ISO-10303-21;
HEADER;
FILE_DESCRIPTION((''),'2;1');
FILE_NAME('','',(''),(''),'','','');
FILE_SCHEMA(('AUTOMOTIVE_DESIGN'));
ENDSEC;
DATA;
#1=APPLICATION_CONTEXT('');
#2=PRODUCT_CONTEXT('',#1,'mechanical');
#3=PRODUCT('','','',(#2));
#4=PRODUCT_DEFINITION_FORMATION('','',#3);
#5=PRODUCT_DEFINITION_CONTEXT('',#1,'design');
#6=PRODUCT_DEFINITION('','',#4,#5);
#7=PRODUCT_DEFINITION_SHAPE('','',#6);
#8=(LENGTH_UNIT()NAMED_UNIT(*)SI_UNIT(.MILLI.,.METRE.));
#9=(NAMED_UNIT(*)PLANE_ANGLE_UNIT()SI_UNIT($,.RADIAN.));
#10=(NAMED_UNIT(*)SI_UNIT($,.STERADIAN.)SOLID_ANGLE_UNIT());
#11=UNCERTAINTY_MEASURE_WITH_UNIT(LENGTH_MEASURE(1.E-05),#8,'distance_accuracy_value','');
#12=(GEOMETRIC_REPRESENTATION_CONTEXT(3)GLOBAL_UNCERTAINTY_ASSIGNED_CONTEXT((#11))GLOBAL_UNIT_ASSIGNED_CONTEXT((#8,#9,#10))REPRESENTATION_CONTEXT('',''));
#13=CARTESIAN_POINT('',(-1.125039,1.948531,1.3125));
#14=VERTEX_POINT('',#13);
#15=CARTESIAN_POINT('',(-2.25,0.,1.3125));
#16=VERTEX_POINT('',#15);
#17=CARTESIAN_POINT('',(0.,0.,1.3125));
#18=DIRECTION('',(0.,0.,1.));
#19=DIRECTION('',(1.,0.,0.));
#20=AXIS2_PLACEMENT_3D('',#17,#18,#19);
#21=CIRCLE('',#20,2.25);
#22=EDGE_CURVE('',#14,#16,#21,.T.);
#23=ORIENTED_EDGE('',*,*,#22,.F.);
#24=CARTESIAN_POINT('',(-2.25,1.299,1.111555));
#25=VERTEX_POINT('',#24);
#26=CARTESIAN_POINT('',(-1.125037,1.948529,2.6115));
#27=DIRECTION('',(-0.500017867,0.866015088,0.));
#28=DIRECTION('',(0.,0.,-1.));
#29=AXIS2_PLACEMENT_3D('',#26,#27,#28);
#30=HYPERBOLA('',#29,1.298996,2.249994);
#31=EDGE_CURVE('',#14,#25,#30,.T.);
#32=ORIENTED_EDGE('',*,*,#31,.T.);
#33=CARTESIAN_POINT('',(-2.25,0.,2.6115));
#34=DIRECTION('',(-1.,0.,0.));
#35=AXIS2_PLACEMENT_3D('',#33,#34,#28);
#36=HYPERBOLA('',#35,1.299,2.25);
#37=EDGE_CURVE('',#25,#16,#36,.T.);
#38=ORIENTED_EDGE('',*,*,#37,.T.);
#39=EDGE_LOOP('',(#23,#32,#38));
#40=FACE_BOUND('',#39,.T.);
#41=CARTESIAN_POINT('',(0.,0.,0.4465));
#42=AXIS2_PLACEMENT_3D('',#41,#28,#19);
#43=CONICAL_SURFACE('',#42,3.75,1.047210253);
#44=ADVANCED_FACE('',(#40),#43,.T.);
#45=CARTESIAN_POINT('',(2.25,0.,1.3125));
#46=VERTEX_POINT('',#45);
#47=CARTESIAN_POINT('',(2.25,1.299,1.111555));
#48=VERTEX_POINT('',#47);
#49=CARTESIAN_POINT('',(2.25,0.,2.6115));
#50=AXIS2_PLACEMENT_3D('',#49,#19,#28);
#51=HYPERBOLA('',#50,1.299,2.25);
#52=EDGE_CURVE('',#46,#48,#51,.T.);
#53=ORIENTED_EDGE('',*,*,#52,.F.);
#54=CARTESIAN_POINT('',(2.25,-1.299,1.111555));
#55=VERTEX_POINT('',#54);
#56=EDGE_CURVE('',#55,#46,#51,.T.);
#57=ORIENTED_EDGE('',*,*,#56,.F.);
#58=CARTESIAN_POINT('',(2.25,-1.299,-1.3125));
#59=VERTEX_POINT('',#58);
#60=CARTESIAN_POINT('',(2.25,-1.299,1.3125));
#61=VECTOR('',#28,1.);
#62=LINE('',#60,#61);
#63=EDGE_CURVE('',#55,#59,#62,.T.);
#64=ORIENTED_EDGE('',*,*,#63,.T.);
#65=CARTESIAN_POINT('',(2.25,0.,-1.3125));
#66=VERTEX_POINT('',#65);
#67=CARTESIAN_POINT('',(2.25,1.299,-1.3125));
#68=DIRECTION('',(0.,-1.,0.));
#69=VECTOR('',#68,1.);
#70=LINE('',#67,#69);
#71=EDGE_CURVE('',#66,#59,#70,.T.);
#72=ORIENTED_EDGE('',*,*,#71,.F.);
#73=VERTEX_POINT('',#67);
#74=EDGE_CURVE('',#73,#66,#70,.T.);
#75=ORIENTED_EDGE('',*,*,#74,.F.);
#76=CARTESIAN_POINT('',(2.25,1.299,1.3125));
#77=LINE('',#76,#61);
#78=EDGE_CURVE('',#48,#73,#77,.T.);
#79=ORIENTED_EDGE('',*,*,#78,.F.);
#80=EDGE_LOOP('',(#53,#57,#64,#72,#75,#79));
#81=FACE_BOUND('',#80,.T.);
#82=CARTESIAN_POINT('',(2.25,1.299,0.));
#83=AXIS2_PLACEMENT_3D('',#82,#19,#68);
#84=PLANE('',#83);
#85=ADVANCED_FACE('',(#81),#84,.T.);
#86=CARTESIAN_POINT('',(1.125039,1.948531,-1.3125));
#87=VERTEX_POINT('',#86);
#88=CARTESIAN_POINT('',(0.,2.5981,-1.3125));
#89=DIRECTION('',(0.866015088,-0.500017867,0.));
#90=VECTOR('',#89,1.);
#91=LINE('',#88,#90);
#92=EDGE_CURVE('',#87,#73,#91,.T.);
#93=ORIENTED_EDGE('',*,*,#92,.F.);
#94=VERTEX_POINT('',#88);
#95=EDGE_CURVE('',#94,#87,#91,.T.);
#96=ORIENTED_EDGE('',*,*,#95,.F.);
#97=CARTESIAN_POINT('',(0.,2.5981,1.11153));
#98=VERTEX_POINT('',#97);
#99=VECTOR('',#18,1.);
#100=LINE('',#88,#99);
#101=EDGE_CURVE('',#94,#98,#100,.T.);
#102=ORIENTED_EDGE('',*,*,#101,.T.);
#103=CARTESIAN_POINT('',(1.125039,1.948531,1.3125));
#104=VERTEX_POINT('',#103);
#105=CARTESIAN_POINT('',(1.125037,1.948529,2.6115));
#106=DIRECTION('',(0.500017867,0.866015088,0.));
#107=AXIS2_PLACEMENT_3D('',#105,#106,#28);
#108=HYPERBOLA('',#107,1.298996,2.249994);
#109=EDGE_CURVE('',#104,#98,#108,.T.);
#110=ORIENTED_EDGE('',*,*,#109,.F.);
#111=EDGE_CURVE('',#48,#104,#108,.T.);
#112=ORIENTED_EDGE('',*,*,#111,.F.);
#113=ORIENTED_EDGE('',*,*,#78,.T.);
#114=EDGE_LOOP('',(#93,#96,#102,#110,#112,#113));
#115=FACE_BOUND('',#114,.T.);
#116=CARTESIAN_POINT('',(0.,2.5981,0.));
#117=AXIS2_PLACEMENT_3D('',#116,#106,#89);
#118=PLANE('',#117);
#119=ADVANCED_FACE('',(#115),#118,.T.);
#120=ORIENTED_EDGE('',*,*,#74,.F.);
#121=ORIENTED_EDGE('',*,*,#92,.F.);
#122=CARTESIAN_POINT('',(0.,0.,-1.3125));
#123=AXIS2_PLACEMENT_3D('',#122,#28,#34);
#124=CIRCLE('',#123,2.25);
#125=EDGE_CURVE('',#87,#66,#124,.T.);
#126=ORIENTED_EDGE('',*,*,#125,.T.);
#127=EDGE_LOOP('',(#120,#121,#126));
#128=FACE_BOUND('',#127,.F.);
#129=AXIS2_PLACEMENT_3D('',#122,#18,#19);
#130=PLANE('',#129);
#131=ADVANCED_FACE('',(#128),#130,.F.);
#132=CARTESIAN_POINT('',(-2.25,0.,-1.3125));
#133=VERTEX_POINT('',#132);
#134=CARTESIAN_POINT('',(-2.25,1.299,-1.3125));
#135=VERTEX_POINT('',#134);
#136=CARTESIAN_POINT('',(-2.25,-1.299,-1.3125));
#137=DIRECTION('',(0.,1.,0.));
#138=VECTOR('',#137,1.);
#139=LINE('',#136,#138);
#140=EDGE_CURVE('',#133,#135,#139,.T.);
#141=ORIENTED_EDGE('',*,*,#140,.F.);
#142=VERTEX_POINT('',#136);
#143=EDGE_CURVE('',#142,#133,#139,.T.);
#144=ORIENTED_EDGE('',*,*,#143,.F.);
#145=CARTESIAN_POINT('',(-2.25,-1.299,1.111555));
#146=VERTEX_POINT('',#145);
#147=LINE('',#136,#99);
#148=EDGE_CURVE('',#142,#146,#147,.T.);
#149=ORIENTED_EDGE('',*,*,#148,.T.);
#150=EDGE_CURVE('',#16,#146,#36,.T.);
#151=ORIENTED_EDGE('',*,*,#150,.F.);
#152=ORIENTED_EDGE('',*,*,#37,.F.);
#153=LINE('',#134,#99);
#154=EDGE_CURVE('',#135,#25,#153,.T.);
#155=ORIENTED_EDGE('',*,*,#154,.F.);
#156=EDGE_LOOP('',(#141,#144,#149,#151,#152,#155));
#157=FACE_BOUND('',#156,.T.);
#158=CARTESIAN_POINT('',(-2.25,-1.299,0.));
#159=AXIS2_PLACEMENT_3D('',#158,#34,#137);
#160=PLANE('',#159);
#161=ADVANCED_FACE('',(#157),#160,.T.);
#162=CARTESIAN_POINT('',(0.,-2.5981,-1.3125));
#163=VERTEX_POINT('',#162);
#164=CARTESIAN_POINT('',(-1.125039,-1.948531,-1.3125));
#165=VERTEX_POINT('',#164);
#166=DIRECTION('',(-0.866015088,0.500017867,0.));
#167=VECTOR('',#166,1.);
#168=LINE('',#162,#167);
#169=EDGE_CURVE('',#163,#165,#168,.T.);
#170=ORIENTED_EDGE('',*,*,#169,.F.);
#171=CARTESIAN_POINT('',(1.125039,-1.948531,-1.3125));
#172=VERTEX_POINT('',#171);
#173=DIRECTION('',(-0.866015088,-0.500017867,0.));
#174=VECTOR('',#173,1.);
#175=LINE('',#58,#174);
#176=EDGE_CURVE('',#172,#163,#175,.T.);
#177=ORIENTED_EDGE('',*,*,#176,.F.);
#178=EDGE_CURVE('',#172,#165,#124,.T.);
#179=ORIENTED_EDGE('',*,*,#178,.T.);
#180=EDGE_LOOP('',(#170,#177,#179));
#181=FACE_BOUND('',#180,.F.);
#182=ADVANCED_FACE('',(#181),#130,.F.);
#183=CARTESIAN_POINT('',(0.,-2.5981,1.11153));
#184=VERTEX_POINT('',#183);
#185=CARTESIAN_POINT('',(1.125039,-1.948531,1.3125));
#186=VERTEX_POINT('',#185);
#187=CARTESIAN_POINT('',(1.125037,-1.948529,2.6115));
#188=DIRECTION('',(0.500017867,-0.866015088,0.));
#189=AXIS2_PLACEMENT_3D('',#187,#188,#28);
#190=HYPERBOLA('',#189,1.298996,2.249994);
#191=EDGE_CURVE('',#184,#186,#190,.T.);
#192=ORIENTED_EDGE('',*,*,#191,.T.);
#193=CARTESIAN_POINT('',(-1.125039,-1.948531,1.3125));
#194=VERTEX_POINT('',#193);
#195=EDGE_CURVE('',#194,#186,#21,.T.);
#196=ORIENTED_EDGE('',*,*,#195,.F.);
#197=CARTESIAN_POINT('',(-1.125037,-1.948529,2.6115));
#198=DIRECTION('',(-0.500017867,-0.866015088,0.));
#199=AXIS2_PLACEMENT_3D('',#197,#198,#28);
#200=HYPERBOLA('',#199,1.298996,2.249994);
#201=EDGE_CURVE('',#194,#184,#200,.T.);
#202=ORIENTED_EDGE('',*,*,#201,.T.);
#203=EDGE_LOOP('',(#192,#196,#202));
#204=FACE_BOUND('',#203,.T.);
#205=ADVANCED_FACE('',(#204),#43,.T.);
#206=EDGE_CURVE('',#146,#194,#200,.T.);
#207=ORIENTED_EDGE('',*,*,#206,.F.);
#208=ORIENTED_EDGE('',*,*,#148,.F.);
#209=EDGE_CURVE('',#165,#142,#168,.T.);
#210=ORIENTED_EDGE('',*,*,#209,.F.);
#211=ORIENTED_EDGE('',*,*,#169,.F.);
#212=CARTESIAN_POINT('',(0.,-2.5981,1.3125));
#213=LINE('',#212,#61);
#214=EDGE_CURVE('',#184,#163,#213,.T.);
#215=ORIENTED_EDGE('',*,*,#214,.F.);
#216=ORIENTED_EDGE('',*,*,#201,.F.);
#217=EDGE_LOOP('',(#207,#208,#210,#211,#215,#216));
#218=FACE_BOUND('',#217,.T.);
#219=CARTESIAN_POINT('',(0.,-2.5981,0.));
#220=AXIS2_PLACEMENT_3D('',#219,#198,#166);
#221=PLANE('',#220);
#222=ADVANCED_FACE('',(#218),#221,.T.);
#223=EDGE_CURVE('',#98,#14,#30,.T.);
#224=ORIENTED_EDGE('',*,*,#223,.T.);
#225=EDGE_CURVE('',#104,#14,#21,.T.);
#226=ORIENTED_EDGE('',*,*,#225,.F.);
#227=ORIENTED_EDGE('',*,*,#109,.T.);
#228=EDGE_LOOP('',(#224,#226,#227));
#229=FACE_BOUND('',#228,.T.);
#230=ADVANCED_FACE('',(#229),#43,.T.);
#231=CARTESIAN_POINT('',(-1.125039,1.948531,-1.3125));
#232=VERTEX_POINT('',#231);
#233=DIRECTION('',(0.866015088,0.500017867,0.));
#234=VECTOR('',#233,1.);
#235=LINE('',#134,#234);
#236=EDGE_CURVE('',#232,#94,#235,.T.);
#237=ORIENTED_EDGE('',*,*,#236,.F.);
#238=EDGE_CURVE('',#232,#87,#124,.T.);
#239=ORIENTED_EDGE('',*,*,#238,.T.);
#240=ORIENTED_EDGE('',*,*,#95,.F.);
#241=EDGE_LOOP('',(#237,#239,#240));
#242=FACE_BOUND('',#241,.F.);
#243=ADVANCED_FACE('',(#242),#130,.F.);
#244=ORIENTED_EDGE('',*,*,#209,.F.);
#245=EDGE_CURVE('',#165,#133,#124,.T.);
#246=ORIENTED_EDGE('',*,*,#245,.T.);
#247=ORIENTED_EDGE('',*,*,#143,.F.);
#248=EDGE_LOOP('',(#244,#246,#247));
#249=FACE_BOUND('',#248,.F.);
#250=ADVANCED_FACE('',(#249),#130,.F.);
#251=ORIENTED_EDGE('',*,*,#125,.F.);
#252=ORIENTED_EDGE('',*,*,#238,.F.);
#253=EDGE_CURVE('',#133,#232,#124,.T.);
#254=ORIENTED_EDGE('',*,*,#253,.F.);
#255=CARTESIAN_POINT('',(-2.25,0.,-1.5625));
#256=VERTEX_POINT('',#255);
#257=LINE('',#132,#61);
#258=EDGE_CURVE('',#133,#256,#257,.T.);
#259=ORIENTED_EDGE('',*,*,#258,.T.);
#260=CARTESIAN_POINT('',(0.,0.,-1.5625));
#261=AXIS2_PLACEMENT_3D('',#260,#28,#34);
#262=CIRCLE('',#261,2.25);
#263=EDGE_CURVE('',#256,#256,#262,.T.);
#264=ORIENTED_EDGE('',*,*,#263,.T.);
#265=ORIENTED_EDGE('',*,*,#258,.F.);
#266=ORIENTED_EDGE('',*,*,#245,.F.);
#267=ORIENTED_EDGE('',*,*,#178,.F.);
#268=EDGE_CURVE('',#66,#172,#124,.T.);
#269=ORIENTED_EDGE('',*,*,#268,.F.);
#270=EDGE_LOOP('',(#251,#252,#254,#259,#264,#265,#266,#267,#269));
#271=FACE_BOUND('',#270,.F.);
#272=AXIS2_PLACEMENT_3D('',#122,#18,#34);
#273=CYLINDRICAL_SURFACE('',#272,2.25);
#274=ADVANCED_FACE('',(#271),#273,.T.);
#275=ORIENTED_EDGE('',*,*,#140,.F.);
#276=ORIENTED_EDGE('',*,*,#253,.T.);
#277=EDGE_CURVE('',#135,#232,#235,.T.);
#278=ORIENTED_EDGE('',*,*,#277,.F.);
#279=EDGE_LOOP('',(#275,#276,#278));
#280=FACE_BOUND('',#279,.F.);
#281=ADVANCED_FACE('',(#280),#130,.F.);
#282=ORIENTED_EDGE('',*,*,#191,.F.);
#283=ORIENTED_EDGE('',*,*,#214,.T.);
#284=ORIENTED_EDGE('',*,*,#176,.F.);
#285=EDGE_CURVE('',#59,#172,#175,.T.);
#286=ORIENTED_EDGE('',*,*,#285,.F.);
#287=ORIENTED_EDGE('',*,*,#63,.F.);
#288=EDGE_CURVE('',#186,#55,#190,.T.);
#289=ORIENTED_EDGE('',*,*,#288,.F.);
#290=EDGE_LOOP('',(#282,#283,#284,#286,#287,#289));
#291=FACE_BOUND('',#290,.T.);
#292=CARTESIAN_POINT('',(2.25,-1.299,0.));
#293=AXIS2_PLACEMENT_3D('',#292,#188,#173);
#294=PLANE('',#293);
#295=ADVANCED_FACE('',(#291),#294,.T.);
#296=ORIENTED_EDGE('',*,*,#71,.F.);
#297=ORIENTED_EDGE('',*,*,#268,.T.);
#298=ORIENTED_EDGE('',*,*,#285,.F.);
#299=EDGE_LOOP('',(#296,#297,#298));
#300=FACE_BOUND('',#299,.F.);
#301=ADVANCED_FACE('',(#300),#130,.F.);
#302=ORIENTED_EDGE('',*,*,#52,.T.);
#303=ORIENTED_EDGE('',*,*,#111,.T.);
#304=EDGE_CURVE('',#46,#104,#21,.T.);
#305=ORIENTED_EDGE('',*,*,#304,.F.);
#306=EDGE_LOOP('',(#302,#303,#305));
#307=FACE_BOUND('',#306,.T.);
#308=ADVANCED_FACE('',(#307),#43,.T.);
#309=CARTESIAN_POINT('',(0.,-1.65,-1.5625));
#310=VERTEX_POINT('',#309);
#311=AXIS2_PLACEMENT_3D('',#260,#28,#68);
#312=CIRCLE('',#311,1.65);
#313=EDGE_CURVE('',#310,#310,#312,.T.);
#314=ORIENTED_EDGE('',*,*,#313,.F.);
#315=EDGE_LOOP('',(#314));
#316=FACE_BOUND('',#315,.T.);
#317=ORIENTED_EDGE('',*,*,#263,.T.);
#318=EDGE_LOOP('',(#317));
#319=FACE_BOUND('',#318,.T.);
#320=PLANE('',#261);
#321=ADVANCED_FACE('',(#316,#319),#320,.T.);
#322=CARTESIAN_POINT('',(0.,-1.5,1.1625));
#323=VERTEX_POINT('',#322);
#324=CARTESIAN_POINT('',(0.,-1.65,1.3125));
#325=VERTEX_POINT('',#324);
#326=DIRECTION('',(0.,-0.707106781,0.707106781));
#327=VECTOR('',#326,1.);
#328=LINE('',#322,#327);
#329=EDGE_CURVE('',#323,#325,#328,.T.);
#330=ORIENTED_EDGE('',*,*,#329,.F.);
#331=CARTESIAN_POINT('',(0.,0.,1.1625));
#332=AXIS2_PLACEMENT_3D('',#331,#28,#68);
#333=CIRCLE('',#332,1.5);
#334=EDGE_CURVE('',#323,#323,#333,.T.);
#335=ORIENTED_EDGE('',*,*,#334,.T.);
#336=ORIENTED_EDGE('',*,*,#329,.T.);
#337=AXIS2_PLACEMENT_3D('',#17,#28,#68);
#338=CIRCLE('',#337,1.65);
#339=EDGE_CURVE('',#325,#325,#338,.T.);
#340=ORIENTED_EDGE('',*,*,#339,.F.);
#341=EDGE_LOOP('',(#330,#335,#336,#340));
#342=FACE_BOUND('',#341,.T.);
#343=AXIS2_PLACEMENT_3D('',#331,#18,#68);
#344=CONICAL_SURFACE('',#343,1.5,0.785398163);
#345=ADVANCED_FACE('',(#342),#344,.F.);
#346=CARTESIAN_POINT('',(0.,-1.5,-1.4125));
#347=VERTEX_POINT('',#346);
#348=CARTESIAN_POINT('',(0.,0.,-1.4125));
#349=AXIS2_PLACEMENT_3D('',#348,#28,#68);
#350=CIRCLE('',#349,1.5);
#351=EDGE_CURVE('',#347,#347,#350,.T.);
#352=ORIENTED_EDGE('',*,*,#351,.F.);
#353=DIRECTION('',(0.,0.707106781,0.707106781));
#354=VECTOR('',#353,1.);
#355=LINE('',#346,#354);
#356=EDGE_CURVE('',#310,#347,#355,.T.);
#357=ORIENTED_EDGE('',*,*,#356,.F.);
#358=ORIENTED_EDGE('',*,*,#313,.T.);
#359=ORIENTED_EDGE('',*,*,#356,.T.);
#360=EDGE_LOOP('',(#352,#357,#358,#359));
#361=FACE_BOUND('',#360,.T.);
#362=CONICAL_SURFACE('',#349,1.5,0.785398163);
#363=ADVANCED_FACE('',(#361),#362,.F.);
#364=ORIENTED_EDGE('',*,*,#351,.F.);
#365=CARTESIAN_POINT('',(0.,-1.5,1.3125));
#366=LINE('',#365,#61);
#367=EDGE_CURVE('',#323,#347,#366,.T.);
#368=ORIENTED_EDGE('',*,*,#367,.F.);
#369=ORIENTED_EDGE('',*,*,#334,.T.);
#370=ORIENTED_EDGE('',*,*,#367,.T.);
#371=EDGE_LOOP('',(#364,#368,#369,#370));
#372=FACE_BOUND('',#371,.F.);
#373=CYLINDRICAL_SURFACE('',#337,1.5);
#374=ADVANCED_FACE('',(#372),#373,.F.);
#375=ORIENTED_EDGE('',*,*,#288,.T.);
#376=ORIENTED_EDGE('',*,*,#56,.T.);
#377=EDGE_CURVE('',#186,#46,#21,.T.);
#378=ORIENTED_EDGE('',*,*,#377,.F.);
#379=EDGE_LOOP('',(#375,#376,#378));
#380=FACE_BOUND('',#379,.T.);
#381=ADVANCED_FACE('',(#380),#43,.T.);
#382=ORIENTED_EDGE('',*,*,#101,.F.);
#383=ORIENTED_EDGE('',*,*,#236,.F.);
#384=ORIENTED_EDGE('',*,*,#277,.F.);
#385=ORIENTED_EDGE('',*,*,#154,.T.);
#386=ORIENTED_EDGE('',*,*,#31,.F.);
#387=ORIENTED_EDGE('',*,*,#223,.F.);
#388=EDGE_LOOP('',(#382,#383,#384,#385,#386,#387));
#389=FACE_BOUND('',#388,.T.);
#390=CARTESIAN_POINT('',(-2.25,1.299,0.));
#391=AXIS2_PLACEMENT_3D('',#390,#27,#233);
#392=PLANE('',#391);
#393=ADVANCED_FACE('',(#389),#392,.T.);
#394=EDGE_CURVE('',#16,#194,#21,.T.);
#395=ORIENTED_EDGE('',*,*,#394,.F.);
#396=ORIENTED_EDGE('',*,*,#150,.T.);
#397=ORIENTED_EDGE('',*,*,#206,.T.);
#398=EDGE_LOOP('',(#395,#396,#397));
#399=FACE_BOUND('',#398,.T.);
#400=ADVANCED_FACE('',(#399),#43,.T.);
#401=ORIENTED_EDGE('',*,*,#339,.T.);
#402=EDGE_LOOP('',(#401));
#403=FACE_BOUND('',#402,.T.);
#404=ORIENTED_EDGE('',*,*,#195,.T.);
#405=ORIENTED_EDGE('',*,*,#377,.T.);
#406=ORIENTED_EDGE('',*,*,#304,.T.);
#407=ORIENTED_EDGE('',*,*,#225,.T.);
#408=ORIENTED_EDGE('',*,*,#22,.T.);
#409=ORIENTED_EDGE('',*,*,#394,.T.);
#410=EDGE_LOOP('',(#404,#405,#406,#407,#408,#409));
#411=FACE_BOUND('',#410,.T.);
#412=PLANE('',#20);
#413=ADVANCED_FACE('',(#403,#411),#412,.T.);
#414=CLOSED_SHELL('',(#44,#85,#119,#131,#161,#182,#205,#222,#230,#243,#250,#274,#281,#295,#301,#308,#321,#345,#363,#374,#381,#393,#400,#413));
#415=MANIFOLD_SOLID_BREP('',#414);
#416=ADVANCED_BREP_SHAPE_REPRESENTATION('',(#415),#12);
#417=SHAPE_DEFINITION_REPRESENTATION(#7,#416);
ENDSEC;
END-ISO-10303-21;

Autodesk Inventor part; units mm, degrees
ref_plane "YZ Plane" through (0, 0, 0) normal (1, 0, 0) x (0, 1, 0)
ref_plane "XZ Plane" through (0, 0, 0) normal (0, 1, 0) x (-1, 0, 0)
ref_plane "XY Plane" through (0, 0, 0) normal (0, 0, 1) x (1, 0, 0)
sketch "Sketch1" plane through (0, 0, 0) normal (0, 0, 1) x (1, 0, 0)
  line L0 (0, 2.5981) -> (2.25, 1.299)
  line L1 (2.25, 1.299) -> (2.25, -1.299)
  line L2 (2.25, -1.299) -> (0, -2.5981)
  line L3 (0, -2.5981) -> (-2.25, -1.299)
  line L4 (-2.25, -1.299) -> (-2.25, 1.299)
  line L5 (-2.25, 1.299) -> (0, 2.5981)
  circle A0 centre (0, 0) radius 1.5 construction
  dimension "Diameter" = 3
  dimension "Width_Across_Flats" = 4.5
extrude "Extrusion1" add sketch "Sketch1" along normal mid plane 2.625
sketch "Sketch2" plane through (0, 0, 0) normal (0, 1, 0) x (-1, 0, 0)
  line L0 (-2.25, 1.3125) -> (-2.25, -1.3125) construction
  line L1 (0, 0) -> (0, 4.375)
  line L2 (-2.25, 1.3125) -> (-3.75, 1.3125)
  line L3 (-3.75, 1.3125) -> (-3.75, 0.4465)
  line L4 (-3.75, 0.4465) -> (-2.25, 1.3125)
  dimension "Chamfer_Angle" = 30
  dimension "Chamfer_Size" = 1.5
revolve "Revolution1" cut sketch "Sketch2" angle 360 about axis through (0, 0, 0) along (0, 0, 1)
sketch "Sketch3" plane through (0, 0, -1.3125) normal (0, 0, -1) x (-1, 0, 0)
  line L0 (2.25, -1.299) -> (0, -2.5981) construction
  circle A0 centre (0, 0) radius 2.25
extrude "Extrusion2" add sketch "Sketch3" along normal blind 0.25
hole "Hole1" at (0, 0, 1.3125) direction (0, 0, -1) diameter 3 end through all
thread "Thread1" size "M3x0.5" class "6H" standard "ANSI Metric M Profile" full length
chamfer "Chamfer1" distance 0.15 angle 45 2 edges at (0, 1.5, 1.3125) (0, 1.5, -1.5625)
equation "\"Width_Across_Flats\" = 1.5 * Diameter"
equation "\"Thickness\" = 0.875 * Diameter"
equation "\"Chamfer_Size\" = 0.5 * Diameter"
equation "\"Hole_Diameter\" = Diameter"
properties part number "Hex Nut with Washer Face"
